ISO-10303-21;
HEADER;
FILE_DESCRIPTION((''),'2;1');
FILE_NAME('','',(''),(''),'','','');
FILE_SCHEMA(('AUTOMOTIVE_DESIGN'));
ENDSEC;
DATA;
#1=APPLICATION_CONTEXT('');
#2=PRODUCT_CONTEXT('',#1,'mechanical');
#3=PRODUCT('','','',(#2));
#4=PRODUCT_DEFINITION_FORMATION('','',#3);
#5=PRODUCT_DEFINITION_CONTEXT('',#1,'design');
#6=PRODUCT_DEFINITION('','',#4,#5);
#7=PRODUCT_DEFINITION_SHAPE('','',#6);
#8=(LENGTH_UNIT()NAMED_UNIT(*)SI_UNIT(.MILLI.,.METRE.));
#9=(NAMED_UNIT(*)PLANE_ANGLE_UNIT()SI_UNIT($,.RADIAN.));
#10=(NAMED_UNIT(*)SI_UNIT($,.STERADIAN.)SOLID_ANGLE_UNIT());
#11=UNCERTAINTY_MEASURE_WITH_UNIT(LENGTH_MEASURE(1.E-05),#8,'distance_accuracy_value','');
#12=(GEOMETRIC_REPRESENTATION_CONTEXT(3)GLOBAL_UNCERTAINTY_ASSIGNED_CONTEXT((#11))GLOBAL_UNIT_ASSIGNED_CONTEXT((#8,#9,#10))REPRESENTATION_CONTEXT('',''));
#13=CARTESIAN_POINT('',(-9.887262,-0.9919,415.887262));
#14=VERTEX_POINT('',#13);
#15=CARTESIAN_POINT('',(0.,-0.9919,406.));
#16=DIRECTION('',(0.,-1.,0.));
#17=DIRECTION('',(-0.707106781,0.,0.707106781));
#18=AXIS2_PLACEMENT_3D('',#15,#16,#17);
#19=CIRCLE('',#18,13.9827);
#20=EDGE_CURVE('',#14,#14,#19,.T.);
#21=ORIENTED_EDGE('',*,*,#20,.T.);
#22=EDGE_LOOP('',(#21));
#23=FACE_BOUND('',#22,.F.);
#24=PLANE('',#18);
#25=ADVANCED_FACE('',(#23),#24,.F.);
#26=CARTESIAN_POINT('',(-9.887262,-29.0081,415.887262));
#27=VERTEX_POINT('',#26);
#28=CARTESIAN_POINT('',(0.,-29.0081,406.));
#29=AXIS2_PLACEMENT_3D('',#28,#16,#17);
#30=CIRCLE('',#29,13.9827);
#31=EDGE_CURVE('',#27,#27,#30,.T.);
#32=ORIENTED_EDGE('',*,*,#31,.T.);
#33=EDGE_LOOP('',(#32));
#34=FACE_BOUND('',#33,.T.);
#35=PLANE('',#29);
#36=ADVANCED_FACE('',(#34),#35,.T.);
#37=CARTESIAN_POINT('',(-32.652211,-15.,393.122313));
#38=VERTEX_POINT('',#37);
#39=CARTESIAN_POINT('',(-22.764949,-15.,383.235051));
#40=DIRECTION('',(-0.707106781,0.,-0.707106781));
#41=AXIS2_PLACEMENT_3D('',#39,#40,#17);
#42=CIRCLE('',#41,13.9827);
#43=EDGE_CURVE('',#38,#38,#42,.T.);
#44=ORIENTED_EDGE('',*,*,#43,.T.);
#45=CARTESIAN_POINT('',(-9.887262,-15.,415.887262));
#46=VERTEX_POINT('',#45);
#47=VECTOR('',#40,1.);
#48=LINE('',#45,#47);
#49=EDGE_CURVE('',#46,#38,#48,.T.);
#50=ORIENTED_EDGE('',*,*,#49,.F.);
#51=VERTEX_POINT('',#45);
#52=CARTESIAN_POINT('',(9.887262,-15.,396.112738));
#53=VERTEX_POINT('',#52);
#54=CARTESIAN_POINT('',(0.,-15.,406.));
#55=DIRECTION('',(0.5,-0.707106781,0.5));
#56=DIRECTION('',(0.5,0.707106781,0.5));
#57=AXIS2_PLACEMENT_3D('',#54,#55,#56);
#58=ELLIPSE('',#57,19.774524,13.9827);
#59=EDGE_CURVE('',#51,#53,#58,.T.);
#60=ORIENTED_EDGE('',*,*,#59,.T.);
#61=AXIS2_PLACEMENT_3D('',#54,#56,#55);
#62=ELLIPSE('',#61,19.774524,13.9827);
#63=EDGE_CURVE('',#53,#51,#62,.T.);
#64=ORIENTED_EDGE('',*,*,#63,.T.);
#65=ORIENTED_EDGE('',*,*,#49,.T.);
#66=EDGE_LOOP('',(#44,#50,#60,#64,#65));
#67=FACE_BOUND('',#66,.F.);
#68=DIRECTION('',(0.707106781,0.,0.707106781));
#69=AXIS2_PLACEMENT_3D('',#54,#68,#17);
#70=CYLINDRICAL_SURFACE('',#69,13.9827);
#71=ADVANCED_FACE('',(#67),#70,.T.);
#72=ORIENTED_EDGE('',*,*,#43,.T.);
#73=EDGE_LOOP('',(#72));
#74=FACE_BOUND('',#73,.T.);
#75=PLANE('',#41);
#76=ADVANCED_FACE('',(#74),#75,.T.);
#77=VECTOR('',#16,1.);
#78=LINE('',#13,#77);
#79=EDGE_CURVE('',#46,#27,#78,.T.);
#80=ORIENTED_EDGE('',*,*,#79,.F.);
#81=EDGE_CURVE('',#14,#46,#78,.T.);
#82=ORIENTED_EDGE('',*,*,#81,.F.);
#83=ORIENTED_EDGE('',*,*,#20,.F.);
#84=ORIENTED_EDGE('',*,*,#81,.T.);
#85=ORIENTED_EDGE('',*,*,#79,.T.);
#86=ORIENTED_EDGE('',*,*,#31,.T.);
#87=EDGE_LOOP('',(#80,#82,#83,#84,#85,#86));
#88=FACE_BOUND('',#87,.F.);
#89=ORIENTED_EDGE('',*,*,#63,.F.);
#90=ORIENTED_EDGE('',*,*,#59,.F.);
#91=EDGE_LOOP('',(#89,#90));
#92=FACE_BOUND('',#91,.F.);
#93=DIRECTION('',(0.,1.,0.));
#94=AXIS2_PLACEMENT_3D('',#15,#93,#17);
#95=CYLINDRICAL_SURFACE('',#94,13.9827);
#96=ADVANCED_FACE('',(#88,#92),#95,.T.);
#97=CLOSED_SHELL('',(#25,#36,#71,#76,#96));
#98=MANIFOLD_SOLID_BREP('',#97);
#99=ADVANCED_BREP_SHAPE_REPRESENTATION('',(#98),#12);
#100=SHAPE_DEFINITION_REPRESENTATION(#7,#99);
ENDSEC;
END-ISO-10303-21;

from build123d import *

# Parameters (mm, degrees)
CYLINDER044_R             = 13.9827
CYLINDER044_DEPTH         = 28.0162
CYLINDER043_R             = 13.9827
CYLINDER043_DEPTH         = 32.1945
FUSION017_PLACEMENT_ANGLE = 225


with BuildPart() as cylinder044:
    # Cylinder044 → Cylinder044 (new body)
    with BuildSketch(Plane.XZ.offset(-14.0081)):
        Circle(CYLINDER044_R)
    extrude(amount=CYLINDER044_DEPTH)


with BuildPart() as middle_inner_slip_l:
    # Cylinder043 → Cylinder043 (new body)
    with BuildSketch(Plane.XY):
        Circle(CYLINDER043_R)
    extrude(amount=CYLINDER043_DEPTH)

    # Fusion017: union Cylinder044
    add(cylinder044.part)


with BuildPart() as middle_inner_slip_l_1:
    # Fusion017 placement: moved
    add(middle_inner_slip_l.part.moved(Location((0, -15, 406))).rotate(Axis((0, -15, 406), (0, 1, 0)), FUSION017_PLACEMENT_ANGLE))


solid = middle_inner_slip_l_1.part
